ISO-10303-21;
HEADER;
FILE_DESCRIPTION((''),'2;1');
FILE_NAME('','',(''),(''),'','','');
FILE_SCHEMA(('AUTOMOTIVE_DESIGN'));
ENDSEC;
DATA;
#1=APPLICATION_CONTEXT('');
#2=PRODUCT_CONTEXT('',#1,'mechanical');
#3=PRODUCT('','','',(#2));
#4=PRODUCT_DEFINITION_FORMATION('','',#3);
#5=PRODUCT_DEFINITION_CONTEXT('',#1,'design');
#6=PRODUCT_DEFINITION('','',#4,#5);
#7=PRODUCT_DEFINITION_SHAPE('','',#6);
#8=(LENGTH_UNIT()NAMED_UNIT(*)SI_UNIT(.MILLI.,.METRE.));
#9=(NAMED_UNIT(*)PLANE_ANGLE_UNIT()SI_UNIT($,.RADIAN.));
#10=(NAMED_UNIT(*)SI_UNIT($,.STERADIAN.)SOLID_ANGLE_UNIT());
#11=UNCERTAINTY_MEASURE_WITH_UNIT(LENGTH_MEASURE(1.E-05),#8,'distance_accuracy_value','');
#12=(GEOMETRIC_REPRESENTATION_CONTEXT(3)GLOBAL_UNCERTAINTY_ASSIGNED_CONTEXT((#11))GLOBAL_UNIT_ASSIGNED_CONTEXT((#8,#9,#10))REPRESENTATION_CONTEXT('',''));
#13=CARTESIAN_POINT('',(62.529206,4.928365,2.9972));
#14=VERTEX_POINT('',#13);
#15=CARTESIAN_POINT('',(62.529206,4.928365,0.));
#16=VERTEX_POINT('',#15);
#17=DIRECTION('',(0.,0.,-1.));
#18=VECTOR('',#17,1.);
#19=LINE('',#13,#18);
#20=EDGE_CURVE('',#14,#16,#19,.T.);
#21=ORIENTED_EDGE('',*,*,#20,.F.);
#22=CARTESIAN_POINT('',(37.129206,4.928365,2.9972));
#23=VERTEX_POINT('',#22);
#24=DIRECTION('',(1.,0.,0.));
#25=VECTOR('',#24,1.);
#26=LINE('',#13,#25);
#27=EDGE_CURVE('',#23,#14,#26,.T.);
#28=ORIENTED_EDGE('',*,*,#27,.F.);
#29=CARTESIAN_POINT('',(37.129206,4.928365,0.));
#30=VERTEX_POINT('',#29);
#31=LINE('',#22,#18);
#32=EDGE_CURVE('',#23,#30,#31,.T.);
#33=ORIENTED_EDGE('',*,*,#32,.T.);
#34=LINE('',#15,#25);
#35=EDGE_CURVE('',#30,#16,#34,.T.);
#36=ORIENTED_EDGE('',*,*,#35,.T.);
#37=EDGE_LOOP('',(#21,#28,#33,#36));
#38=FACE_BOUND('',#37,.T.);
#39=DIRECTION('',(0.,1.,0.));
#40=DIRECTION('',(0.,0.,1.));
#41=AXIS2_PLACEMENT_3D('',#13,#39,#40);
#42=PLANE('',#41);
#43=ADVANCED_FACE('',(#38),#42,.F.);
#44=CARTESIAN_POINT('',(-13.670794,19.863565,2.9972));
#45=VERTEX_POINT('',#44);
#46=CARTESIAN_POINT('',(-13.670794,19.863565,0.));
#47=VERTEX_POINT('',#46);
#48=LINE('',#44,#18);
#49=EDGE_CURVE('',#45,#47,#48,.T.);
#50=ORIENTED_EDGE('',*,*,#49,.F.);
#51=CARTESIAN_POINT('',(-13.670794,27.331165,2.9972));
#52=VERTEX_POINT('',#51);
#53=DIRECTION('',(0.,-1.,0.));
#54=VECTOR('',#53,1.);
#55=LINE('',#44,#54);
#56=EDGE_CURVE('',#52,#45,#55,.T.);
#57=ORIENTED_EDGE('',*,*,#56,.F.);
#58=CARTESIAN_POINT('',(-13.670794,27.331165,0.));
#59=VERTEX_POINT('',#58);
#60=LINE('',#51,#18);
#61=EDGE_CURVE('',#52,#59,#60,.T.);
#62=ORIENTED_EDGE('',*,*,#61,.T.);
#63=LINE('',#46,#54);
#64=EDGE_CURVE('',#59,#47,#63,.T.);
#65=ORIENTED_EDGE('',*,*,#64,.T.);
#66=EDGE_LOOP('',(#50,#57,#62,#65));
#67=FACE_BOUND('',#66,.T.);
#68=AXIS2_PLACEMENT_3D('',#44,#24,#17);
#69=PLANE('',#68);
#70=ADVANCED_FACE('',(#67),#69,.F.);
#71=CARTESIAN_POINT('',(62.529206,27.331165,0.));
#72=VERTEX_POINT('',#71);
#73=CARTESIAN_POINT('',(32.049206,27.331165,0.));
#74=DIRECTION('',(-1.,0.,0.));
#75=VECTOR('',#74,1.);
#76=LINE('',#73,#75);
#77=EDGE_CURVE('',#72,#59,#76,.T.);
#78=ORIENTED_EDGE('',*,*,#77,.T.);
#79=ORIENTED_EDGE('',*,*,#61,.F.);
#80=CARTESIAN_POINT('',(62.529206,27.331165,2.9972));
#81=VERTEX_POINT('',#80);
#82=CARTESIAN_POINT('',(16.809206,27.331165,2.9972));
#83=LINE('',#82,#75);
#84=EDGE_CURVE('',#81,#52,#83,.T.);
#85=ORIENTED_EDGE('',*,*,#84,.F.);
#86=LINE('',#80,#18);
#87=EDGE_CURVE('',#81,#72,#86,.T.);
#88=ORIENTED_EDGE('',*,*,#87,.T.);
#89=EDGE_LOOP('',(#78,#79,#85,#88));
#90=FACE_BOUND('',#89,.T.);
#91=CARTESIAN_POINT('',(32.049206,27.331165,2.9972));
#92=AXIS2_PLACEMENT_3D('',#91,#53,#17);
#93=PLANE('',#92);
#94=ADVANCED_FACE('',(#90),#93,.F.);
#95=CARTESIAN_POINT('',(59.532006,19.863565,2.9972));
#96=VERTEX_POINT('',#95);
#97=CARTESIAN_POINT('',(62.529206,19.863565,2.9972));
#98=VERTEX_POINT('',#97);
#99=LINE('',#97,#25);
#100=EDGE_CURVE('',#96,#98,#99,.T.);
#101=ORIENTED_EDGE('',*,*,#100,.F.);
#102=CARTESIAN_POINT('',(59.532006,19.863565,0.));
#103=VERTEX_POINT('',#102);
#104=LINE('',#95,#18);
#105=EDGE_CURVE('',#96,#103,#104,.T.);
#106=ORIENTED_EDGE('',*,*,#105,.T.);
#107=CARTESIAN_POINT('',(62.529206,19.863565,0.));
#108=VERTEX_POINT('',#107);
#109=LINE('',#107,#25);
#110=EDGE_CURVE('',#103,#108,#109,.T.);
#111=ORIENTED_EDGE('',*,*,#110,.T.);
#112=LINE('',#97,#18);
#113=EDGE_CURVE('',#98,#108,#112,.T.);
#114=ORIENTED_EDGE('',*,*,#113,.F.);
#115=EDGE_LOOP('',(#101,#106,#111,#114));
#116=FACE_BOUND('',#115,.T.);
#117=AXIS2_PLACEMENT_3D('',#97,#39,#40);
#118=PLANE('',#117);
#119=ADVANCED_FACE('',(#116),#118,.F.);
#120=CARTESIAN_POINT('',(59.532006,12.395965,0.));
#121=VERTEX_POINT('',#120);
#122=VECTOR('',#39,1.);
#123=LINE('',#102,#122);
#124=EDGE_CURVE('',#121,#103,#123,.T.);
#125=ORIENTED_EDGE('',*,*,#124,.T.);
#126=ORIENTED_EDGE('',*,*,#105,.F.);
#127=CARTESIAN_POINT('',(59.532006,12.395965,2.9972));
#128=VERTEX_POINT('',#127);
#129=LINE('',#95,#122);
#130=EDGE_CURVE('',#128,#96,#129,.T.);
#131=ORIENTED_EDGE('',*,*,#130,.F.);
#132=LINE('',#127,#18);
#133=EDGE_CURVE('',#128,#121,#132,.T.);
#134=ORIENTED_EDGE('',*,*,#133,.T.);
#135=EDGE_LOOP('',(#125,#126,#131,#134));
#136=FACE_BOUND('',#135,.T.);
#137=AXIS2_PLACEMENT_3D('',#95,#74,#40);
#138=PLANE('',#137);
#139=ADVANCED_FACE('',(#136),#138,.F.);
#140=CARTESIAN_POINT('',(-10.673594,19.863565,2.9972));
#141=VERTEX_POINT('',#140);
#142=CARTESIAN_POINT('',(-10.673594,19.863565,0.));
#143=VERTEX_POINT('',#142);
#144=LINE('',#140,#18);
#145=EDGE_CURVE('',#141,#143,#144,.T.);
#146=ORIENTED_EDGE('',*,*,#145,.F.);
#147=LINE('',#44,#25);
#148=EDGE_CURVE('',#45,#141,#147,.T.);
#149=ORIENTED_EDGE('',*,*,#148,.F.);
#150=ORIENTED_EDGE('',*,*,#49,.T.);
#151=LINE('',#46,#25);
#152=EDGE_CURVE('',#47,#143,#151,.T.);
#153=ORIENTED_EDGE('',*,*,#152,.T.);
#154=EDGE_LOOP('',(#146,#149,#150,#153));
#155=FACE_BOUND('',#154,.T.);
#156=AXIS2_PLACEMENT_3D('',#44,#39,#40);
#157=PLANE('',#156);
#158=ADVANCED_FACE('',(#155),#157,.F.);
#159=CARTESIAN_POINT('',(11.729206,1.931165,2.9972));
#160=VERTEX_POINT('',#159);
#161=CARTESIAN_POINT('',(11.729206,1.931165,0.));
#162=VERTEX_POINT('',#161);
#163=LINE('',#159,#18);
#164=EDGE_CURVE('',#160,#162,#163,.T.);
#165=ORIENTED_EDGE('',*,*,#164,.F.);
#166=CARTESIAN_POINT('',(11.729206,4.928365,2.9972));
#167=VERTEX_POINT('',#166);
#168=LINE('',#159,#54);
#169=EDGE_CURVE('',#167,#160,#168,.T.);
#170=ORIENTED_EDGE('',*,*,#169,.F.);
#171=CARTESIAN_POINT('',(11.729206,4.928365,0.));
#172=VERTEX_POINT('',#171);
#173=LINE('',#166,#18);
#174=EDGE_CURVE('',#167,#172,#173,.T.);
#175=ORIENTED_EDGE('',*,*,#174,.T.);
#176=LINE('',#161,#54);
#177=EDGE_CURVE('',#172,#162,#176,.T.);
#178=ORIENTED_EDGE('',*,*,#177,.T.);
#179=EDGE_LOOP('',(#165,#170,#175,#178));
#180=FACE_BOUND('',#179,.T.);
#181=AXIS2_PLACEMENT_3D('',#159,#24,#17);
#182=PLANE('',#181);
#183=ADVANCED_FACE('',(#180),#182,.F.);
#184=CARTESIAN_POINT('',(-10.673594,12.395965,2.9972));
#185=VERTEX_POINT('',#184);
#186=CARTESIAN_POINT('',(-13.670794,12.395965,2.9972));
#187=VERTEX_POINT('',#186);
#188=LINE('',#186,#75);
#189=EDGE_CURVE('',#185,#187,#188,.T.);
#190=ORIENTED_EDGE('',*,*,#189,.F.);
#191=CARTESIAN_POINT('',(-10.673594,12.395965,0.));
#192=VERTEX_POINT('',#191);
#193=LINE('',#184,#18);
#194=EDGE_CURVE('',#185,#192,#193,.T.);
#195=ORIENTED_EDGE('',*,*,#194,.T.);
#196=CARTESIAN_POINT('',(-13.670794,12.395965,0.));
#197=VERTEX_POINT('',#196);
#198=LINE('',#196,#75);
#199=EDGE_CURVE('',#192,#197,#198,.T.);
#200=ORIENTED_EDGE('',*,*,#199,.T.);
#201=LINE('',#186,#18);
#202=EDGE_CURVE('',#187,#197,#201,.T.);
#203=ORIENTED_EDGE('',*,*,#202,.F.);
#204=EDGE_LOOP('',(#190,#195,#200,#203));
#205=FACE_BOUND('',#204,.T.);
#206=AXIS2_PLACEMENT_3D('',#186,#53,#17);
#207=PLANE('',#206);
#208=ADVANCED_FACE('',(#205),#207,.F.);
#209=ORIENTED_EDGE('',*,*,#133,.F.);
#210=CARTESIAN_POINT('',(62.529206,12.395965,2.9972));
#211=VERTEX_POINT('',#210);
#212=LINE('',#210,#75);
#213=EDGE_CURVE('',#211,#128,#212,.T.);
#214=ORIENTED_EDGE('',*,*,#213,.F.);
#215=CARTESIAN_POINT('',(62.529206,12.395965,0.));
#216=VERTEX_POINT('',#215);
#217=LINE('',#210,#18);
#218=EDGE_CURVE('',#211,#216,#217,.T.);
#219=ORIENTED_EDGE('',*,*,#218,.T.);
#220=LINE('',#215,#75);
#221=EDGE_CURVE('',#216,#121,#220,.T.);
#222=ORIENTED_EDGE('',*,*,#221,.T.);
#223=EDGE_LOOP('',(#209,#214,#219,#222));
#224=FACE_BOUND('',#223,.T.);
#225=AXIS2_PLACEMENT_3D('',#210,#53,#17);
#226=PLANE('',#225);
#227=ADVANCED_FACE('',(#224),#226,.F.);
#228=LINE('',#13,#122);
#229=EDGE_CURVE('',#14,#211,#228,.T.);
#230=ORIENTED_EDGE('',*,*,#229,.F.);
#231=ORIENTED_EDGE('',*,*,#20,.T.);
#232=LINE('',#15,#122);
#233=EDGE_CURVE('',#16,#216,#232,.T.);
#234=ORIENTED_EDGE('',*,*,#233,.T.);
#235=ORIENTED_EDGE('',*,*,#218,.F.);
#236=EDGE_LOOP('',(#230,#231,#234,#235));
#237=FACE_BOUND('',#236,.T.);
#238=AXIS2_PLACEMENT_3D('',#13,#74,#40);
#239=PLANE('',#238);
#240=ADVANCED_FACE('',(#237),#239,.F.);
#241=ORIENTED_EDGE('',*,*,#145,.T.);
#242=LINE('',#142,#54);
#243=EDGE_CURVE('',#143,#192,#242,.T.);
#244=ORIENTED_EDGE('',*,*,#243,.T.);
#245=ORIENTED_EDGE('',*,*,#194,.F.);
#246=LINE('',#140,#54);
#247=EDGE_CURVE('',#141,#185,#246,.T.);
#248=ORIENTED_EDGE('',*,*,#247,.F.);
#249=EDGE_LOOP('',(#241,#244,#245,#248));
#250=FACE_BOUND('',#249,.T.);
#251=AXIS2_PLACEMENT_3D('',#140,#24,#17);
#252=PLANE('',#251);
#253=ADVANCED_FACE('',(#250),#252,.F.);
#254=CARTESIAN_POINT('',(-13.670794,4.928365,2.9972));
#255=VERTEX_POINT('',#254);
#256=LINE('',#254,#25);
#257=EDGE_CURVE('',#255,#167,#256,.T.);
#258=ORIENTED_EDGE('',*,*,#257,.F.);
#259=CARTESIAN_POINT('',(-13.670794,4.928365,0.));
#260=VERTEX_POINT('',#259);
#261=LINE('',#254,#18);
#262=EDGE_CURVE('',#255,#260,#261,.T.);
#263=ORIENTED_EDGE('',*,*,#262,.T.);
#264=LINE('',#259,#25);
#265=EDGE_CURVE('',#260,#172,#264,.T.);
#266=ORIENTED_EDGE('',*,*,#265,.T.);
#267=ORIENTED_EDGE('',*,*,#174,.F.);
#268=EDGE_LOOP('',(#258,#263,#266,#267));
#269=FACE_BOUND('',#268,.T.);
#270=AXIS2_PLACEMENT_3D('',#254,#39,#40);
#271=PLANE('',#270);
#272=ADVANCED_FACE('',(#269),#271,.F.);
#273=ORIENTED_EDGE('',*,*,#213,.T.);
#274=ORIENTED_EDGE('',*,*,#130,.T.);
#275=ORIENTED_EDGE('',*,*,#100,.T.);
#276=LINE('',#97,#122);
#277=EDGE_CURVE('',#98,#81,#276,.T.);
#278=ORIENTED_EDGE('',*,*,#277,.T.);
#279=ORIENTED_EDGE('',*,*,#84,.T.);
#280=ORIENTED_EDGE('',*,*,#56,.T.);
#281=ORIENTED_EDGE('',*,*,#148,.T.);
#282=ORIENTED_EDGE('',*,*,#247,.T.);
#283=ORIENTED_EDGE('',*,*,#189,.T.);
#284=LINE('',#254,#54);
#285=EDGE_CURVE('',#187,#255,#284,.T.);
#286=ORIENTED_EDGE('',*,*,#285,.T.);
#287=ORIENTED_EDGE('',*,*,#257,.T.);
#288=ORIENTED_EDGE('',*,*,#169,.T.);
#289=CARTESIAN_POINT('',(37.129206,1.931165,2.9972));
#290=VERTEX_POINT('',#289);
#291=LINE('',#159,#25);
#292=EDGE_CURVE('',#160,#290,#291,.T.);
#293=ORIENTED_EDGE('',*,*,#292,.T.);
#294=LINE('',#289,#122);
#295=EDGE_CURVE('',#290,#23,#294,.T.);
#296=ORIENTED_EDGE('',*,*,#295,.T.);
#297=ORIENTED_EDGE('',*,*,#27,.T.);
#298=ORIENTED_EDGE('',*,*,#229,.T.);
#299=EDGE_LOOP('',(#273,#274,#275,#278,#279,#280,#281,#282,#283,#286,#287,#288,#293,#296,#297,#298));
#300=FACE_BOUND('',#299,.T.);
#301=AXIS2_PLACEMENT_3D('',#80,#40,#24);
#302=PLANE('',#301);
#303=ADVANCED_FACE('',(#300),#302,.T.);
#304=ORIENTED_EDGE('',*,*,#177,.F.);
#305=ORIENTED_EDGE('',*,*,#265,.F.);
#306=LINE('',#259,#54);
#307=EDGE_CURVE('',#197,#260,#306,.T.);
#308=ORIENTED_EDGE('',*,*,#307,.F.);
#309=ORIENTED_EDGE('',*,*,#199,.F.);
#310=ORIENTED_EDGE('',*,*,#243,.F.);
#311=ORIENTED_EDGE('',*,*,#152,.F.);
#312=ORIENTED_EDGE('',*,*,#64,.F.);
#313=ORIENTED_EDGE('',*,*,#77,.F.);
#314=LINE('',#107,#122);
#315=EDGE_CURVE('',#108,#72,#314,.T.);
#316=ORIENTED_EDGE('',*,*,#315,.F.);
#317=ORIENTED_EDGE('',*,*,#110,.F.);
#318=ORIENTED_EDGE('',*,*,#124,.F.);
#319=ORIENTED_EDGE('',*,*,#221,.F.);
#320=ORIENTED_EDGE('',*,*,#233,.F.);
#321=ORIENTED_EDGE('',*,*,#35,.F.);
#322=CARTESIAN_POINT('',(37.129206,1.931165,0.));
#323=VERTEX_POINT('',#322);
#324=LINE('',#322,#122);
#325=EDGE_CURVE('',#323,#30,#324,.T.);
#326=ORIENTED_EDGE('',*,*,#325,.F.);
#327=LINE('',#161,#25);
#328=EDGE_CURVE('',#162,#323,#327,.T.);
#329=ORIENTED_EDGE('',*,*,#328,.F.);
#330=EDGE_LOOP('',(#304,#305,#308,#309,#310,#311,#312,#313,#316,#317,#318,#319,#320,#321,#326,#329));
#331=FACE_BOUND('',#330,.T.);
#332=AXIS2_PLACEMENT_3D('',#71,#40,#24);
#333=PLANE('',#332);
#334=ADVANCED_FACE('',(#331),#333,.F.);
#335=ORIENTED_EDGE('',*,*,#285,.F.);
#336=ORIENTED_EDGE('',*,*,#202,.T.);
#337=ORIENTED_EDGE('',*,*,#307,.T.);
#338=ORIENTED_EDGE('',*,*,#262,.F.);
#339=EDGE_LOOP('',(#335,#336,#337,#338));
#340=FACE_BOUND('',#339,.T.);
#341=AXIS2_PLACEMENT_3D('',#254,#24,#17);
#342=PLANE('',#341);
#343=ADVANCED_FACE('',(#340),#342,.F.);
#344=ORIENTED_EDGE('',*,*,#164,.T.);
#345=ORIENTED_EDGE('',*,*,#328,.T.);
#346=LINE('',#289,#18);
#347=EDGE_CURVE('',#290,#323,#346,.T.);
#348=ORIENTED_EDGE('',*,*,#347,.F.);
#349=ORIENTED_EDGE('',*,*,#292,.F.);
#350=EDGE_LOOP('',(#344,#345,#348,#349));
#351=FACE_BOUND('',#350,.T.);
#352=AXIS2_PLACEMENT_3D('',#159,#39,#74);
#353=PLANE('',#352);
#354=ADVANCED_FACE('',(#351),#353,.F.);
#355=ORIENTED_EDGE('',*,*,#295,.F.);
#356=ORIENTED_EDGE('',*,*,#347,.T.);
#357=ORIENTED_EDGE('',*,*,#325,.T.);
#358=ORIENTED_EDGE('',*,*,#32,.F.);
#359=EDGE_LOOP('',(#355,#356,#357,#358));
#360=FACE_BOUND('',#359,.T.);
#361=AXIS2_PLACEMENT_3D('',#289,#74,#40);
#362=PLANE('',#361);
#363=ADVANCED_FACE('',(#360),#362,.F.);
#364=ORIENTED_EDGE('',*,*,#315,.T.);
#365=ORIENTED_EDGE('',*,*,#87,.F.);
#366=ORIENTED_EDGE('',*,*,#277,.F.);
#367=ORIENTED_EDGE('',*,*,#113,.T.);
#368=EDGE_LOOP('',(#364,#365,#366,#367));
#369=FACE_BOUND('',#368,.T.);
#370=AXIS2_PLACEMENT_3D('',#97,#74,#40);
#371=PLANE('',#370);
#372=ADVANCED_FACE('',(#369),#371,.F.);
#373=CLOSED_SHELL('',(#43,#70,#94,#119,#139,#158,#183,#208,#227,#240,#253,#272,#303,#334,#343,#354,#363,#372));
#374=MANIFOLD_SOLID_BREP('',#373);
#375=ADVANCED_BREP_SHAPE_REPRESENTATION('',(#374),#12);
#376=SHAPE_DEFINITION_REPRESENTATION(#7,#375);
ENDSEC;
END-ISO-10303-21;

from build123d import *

# Parameters (mm, degrees)
BOSS_EXTRUDE1_DEPTH = 2.9972


with BuildPart() as part:
    # Sketch1 → Boss-Extrude1 (new body)
    with BuildSketch(Plane.XY):
        Polygon((32.049205529, 27.331164833), (62.529205529, 27.331164833), (62.529205529, 19.863564833), (59.532005529, 19.863564833), (59.532005529, 12.395964833), (62.529205529, 12.395964833), (62.529205529, 4.928364833), (37.129205529, 4.928364833), (37.129205529, 1.931164833), (11.729205529, 1.931164833), (11.729205529, 4.928364833), (-13.670794471, 4.928364833), (-13.670794471, 12.395964833), (-10.673594471, 12.395964833), (-10.673594471, 19.863564833), (-13.670794471, 19.863564833), (-13.670794471, 27.331164833), (16.809205529, 27.331164833), align=None)
    extrude(amount=BOSS_EXTRUDE1_DEPTH)


solid = part.part
